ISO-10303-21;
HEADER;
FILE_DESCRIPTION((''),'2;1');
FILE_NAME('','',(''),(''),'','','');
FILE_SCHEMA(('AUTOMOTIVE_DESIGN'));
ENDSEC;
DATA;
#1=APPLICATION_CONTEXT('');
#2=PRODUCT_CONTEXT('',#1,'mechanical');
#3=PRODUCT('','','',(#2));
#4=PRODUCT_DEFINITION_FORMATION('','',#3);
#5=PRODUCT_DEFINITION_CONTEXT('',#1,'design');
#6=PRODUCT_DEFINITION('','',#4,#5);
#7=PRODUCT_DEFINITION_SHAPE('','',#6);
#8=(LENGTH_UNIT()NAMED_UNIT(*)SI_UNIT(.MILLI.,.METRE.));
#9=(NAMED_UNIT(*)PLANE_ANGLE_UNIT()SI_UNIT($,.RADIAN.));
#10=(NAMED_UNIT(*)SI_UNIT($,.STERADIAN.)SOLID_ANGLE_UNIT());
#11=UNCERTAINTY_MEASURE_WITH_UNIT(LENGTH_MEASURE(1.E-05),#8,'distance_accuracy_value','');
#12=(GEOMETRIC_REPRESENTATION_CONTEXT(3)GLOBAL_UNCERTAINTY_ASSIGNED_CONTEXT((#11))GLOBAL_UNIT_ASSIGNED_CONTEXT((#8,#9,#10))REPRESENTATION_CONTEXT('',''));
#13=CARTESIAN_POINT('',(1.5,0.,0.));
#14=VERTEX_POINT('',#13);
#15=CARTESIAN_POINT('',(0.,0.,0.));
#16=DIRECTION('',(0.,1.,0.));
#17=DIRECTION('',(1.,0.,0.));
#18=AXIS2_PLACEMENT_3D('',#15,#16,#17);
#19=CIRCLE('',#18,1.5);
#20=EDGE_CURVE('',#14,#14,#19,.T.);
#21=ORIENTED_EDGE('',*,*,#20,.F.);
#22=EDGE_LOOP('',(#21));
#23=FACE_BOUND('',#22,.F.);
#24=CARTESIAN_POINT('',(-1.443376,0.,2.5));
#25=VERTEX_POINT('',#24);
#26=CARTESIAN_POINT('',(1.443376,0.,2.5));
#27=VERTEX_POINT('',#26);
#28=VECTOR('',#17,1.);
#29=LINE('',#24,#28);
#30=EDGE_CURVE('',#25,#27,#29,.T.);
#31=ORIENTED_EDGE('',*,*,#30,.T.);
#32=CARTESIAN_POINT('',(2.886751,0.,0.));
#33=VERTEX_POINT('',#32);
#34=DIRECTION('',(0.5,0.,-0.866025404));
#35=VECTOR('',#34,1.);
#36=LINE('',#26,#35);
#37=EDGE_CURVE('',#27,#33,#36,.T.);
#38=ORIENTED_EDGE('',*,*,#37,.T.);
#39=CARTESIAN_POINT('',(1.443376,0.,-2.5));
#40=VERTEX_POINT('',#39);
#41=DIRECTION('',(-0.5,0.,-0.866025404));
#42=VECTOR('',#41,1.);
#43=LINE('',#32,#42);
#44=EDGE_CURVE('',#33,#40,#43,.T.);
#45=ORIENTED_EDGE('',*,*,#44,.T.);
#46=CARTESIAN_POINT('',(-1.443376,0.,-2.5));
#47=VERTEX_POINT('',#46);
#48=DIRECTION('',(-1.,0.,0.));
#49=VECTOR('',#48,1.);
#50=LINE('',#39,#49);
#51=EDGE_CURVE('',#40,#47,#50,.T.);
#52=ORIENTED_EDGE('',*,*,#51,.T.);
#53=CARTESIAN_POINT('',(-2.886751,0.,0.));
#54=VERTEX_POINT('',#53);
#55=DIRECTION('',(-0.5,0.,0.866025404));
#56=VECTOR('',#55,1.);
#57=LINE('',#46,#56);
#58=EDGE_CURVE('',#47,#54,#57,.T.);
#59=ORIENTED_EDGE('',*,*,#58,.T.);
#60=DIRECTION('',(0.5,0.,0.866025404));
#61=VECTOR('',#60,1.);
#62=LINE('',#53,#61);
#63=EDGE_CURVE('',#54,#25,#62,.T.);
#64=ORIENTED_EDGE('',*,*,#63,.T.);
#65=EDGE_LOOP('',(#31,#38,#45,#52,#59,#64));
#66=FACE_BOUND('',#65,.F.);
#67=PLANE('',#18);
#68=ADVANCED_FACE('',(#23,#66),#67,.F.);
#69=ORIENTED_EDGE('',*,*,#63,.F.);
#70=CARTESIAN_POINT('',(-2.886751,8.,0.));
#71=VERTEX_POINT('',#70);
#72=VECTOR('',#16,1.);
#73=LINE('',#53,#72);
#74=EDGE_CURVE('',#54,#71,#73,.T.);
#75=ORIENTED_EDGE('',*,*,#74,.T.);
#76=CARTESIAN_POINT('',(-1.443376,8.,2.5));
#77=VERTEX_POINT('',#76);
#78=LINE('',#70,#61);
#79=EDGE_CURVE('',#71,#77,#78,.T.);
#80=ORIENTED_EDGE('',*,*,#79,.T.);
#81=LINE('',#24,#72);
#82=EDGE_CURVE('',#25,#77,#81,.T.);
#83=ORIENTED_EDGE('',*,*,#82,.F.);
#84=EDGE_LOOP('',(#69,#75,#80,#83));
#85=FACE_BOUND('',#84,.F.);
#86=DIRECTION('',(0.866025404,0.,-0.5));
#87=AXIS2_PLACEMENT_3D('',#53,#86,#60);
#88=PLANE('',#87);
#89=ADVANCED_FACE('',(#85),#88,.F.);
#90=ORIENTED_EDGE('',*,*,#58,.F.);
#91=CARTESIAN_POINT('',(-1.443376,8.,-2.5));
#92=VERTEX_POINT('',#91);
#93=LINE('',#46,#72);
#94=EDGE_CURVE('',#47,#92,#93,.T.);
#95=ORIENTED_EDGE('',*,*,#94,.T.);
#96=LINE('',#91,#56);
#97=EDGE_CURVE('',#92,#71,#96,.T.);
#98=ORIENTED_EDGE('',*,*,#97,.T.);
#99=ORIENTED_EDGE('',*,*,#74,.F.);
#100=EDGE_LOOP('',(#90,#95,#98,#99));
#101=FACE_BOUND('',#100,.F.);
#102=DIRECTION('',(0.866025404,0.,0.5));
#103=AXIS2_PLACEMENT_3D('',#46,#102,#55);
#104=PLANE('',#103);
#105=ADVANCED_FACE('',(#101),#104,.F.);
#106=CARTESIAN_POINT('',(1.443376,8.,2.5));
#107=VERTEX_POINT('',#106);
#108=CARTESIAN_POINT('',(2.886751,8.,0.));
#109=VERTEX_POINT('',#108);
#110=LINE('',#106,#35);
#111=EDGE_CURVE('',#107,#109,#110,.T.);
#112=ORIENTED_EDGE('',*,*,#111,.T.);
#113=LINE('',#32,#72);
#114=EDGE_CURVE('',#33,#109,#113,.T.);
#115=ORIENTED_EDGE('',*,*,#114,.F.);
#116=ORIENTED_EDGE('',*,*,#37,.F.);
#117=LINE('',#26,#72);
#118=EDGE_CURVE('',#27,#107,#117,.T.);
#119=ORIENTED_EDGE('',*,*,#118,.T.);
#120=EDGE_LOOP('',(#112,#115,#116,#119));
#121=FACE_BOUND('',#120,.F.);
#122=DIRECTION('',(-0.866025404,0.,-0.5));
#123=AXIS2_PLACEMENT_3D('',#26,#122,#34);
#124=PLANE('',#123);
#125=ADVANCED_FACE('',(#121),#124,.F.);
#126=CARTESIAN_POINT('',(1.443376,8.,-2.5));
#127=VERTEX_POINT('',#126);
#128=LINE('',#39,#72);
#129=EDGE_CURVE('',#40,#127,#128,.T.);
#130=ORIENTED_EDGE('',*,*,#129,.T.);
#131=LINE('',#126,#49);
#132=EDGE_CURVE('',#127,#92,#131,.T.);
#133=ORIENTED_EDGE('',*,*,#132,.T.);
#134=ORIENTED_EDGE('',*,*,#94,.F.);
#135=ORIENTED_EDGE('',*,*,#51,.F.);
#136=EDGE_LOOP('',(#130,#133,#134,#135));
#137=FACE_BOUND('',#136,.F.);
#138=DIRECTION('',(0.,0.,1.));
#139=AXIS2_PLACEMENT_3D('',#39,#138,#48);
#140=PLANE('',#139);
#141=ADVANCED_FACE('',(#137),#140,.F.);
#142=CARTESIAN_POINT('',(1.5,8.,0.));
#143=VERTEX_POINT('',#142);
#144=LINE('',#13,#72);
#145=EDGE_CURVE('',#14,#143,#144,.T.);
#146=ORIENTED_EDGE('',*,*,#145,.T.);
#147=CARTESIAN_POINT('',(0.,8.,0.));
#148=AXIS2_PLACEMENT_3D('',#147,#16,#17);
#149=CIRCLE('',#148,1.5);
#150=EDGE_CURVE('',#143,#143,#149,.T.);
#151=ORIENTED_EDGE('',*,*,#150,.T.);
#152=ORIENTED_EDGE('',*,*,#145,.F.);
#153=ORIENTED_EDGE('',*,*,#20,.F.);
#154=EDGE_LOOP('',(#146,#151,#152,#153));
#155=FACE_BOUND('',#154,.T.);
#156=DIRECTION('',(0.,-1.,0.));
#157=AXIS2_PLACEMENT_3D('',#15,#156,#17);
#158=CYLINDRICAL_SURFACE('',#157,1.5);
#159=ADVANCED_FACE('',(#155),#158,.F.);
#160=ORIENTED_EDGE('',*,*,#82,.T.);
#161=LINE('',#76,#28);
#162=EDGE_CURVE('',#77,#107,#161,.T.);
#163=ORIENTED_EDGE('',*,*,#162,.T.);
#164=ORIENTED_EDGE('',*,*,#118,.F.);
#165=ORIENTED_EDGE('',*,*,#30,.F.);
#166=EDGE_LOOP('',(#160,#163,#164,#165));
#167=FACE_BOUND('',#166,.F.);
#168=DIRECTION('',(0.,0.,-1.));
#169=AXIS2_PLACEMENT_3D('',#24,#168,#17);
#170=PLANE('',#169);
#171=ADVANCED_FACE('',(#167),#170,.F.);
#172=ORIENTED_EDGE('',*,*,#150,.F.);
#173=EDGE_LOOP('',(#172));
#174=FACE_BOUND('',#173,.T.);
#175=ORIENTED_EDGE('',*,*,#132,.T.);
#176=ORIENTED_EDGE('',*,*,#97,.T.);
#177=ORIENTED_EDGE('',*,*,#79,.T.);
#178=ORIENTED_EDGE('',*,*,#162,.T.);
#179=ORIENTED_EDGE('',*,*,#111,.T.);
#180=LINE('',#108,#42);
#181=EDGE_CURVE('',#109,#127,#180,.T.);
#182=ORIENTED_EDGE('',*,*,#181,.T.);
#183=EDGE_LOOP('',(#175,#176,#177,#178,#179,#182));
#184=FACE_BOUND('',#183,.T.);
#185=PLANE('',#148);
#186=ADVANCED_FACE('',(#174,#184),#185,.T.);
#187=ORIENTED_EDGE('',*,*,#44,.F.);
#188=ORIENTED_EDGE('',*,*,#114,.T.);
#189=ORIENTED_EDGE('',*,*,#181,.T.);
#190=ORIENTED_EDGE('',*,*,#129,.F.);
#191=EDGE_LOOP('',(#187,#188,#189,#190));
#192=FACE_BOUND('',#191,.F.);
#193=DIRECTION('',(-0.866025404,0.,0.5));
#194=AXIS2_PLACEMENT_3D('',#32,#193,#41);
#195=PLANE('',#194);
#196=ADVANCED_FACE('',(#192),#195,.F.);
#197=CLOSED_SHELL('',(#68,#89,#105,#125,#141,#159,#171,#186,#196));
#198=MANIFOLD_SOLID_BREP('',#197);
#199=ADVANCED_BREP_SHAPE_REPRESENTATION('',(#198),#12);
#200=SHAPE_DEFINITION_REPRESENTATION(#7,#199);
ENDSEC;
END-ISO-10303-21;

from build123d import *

# Parameters (mm, degrees)
SKETCH1_R           = 1.5
BOSS_EXTRUDE1_DEPTH = 8


with BuildPart() as part:
    # Sketch1 → Boss-Extrude1 (new body)
    with BuildSketch(Plane(origin=(0, 0, 0), x_dir=(1, 0, 0), z_dir=(0, 1, 0))):
        Polygon((-1.443375673, -2.5), (1.443375673, -2.5), (2.886751346, 0), (1.443375673, 2.5), (-1.443375673, 2.5), (-2.886751346, 0), align=None)
        Circle(SKETCH1_R, mode=Mode.SUBTRACT)
    extrude(amount=BOSS_EXTRUDE1_DEPTH)


solid = part.part
